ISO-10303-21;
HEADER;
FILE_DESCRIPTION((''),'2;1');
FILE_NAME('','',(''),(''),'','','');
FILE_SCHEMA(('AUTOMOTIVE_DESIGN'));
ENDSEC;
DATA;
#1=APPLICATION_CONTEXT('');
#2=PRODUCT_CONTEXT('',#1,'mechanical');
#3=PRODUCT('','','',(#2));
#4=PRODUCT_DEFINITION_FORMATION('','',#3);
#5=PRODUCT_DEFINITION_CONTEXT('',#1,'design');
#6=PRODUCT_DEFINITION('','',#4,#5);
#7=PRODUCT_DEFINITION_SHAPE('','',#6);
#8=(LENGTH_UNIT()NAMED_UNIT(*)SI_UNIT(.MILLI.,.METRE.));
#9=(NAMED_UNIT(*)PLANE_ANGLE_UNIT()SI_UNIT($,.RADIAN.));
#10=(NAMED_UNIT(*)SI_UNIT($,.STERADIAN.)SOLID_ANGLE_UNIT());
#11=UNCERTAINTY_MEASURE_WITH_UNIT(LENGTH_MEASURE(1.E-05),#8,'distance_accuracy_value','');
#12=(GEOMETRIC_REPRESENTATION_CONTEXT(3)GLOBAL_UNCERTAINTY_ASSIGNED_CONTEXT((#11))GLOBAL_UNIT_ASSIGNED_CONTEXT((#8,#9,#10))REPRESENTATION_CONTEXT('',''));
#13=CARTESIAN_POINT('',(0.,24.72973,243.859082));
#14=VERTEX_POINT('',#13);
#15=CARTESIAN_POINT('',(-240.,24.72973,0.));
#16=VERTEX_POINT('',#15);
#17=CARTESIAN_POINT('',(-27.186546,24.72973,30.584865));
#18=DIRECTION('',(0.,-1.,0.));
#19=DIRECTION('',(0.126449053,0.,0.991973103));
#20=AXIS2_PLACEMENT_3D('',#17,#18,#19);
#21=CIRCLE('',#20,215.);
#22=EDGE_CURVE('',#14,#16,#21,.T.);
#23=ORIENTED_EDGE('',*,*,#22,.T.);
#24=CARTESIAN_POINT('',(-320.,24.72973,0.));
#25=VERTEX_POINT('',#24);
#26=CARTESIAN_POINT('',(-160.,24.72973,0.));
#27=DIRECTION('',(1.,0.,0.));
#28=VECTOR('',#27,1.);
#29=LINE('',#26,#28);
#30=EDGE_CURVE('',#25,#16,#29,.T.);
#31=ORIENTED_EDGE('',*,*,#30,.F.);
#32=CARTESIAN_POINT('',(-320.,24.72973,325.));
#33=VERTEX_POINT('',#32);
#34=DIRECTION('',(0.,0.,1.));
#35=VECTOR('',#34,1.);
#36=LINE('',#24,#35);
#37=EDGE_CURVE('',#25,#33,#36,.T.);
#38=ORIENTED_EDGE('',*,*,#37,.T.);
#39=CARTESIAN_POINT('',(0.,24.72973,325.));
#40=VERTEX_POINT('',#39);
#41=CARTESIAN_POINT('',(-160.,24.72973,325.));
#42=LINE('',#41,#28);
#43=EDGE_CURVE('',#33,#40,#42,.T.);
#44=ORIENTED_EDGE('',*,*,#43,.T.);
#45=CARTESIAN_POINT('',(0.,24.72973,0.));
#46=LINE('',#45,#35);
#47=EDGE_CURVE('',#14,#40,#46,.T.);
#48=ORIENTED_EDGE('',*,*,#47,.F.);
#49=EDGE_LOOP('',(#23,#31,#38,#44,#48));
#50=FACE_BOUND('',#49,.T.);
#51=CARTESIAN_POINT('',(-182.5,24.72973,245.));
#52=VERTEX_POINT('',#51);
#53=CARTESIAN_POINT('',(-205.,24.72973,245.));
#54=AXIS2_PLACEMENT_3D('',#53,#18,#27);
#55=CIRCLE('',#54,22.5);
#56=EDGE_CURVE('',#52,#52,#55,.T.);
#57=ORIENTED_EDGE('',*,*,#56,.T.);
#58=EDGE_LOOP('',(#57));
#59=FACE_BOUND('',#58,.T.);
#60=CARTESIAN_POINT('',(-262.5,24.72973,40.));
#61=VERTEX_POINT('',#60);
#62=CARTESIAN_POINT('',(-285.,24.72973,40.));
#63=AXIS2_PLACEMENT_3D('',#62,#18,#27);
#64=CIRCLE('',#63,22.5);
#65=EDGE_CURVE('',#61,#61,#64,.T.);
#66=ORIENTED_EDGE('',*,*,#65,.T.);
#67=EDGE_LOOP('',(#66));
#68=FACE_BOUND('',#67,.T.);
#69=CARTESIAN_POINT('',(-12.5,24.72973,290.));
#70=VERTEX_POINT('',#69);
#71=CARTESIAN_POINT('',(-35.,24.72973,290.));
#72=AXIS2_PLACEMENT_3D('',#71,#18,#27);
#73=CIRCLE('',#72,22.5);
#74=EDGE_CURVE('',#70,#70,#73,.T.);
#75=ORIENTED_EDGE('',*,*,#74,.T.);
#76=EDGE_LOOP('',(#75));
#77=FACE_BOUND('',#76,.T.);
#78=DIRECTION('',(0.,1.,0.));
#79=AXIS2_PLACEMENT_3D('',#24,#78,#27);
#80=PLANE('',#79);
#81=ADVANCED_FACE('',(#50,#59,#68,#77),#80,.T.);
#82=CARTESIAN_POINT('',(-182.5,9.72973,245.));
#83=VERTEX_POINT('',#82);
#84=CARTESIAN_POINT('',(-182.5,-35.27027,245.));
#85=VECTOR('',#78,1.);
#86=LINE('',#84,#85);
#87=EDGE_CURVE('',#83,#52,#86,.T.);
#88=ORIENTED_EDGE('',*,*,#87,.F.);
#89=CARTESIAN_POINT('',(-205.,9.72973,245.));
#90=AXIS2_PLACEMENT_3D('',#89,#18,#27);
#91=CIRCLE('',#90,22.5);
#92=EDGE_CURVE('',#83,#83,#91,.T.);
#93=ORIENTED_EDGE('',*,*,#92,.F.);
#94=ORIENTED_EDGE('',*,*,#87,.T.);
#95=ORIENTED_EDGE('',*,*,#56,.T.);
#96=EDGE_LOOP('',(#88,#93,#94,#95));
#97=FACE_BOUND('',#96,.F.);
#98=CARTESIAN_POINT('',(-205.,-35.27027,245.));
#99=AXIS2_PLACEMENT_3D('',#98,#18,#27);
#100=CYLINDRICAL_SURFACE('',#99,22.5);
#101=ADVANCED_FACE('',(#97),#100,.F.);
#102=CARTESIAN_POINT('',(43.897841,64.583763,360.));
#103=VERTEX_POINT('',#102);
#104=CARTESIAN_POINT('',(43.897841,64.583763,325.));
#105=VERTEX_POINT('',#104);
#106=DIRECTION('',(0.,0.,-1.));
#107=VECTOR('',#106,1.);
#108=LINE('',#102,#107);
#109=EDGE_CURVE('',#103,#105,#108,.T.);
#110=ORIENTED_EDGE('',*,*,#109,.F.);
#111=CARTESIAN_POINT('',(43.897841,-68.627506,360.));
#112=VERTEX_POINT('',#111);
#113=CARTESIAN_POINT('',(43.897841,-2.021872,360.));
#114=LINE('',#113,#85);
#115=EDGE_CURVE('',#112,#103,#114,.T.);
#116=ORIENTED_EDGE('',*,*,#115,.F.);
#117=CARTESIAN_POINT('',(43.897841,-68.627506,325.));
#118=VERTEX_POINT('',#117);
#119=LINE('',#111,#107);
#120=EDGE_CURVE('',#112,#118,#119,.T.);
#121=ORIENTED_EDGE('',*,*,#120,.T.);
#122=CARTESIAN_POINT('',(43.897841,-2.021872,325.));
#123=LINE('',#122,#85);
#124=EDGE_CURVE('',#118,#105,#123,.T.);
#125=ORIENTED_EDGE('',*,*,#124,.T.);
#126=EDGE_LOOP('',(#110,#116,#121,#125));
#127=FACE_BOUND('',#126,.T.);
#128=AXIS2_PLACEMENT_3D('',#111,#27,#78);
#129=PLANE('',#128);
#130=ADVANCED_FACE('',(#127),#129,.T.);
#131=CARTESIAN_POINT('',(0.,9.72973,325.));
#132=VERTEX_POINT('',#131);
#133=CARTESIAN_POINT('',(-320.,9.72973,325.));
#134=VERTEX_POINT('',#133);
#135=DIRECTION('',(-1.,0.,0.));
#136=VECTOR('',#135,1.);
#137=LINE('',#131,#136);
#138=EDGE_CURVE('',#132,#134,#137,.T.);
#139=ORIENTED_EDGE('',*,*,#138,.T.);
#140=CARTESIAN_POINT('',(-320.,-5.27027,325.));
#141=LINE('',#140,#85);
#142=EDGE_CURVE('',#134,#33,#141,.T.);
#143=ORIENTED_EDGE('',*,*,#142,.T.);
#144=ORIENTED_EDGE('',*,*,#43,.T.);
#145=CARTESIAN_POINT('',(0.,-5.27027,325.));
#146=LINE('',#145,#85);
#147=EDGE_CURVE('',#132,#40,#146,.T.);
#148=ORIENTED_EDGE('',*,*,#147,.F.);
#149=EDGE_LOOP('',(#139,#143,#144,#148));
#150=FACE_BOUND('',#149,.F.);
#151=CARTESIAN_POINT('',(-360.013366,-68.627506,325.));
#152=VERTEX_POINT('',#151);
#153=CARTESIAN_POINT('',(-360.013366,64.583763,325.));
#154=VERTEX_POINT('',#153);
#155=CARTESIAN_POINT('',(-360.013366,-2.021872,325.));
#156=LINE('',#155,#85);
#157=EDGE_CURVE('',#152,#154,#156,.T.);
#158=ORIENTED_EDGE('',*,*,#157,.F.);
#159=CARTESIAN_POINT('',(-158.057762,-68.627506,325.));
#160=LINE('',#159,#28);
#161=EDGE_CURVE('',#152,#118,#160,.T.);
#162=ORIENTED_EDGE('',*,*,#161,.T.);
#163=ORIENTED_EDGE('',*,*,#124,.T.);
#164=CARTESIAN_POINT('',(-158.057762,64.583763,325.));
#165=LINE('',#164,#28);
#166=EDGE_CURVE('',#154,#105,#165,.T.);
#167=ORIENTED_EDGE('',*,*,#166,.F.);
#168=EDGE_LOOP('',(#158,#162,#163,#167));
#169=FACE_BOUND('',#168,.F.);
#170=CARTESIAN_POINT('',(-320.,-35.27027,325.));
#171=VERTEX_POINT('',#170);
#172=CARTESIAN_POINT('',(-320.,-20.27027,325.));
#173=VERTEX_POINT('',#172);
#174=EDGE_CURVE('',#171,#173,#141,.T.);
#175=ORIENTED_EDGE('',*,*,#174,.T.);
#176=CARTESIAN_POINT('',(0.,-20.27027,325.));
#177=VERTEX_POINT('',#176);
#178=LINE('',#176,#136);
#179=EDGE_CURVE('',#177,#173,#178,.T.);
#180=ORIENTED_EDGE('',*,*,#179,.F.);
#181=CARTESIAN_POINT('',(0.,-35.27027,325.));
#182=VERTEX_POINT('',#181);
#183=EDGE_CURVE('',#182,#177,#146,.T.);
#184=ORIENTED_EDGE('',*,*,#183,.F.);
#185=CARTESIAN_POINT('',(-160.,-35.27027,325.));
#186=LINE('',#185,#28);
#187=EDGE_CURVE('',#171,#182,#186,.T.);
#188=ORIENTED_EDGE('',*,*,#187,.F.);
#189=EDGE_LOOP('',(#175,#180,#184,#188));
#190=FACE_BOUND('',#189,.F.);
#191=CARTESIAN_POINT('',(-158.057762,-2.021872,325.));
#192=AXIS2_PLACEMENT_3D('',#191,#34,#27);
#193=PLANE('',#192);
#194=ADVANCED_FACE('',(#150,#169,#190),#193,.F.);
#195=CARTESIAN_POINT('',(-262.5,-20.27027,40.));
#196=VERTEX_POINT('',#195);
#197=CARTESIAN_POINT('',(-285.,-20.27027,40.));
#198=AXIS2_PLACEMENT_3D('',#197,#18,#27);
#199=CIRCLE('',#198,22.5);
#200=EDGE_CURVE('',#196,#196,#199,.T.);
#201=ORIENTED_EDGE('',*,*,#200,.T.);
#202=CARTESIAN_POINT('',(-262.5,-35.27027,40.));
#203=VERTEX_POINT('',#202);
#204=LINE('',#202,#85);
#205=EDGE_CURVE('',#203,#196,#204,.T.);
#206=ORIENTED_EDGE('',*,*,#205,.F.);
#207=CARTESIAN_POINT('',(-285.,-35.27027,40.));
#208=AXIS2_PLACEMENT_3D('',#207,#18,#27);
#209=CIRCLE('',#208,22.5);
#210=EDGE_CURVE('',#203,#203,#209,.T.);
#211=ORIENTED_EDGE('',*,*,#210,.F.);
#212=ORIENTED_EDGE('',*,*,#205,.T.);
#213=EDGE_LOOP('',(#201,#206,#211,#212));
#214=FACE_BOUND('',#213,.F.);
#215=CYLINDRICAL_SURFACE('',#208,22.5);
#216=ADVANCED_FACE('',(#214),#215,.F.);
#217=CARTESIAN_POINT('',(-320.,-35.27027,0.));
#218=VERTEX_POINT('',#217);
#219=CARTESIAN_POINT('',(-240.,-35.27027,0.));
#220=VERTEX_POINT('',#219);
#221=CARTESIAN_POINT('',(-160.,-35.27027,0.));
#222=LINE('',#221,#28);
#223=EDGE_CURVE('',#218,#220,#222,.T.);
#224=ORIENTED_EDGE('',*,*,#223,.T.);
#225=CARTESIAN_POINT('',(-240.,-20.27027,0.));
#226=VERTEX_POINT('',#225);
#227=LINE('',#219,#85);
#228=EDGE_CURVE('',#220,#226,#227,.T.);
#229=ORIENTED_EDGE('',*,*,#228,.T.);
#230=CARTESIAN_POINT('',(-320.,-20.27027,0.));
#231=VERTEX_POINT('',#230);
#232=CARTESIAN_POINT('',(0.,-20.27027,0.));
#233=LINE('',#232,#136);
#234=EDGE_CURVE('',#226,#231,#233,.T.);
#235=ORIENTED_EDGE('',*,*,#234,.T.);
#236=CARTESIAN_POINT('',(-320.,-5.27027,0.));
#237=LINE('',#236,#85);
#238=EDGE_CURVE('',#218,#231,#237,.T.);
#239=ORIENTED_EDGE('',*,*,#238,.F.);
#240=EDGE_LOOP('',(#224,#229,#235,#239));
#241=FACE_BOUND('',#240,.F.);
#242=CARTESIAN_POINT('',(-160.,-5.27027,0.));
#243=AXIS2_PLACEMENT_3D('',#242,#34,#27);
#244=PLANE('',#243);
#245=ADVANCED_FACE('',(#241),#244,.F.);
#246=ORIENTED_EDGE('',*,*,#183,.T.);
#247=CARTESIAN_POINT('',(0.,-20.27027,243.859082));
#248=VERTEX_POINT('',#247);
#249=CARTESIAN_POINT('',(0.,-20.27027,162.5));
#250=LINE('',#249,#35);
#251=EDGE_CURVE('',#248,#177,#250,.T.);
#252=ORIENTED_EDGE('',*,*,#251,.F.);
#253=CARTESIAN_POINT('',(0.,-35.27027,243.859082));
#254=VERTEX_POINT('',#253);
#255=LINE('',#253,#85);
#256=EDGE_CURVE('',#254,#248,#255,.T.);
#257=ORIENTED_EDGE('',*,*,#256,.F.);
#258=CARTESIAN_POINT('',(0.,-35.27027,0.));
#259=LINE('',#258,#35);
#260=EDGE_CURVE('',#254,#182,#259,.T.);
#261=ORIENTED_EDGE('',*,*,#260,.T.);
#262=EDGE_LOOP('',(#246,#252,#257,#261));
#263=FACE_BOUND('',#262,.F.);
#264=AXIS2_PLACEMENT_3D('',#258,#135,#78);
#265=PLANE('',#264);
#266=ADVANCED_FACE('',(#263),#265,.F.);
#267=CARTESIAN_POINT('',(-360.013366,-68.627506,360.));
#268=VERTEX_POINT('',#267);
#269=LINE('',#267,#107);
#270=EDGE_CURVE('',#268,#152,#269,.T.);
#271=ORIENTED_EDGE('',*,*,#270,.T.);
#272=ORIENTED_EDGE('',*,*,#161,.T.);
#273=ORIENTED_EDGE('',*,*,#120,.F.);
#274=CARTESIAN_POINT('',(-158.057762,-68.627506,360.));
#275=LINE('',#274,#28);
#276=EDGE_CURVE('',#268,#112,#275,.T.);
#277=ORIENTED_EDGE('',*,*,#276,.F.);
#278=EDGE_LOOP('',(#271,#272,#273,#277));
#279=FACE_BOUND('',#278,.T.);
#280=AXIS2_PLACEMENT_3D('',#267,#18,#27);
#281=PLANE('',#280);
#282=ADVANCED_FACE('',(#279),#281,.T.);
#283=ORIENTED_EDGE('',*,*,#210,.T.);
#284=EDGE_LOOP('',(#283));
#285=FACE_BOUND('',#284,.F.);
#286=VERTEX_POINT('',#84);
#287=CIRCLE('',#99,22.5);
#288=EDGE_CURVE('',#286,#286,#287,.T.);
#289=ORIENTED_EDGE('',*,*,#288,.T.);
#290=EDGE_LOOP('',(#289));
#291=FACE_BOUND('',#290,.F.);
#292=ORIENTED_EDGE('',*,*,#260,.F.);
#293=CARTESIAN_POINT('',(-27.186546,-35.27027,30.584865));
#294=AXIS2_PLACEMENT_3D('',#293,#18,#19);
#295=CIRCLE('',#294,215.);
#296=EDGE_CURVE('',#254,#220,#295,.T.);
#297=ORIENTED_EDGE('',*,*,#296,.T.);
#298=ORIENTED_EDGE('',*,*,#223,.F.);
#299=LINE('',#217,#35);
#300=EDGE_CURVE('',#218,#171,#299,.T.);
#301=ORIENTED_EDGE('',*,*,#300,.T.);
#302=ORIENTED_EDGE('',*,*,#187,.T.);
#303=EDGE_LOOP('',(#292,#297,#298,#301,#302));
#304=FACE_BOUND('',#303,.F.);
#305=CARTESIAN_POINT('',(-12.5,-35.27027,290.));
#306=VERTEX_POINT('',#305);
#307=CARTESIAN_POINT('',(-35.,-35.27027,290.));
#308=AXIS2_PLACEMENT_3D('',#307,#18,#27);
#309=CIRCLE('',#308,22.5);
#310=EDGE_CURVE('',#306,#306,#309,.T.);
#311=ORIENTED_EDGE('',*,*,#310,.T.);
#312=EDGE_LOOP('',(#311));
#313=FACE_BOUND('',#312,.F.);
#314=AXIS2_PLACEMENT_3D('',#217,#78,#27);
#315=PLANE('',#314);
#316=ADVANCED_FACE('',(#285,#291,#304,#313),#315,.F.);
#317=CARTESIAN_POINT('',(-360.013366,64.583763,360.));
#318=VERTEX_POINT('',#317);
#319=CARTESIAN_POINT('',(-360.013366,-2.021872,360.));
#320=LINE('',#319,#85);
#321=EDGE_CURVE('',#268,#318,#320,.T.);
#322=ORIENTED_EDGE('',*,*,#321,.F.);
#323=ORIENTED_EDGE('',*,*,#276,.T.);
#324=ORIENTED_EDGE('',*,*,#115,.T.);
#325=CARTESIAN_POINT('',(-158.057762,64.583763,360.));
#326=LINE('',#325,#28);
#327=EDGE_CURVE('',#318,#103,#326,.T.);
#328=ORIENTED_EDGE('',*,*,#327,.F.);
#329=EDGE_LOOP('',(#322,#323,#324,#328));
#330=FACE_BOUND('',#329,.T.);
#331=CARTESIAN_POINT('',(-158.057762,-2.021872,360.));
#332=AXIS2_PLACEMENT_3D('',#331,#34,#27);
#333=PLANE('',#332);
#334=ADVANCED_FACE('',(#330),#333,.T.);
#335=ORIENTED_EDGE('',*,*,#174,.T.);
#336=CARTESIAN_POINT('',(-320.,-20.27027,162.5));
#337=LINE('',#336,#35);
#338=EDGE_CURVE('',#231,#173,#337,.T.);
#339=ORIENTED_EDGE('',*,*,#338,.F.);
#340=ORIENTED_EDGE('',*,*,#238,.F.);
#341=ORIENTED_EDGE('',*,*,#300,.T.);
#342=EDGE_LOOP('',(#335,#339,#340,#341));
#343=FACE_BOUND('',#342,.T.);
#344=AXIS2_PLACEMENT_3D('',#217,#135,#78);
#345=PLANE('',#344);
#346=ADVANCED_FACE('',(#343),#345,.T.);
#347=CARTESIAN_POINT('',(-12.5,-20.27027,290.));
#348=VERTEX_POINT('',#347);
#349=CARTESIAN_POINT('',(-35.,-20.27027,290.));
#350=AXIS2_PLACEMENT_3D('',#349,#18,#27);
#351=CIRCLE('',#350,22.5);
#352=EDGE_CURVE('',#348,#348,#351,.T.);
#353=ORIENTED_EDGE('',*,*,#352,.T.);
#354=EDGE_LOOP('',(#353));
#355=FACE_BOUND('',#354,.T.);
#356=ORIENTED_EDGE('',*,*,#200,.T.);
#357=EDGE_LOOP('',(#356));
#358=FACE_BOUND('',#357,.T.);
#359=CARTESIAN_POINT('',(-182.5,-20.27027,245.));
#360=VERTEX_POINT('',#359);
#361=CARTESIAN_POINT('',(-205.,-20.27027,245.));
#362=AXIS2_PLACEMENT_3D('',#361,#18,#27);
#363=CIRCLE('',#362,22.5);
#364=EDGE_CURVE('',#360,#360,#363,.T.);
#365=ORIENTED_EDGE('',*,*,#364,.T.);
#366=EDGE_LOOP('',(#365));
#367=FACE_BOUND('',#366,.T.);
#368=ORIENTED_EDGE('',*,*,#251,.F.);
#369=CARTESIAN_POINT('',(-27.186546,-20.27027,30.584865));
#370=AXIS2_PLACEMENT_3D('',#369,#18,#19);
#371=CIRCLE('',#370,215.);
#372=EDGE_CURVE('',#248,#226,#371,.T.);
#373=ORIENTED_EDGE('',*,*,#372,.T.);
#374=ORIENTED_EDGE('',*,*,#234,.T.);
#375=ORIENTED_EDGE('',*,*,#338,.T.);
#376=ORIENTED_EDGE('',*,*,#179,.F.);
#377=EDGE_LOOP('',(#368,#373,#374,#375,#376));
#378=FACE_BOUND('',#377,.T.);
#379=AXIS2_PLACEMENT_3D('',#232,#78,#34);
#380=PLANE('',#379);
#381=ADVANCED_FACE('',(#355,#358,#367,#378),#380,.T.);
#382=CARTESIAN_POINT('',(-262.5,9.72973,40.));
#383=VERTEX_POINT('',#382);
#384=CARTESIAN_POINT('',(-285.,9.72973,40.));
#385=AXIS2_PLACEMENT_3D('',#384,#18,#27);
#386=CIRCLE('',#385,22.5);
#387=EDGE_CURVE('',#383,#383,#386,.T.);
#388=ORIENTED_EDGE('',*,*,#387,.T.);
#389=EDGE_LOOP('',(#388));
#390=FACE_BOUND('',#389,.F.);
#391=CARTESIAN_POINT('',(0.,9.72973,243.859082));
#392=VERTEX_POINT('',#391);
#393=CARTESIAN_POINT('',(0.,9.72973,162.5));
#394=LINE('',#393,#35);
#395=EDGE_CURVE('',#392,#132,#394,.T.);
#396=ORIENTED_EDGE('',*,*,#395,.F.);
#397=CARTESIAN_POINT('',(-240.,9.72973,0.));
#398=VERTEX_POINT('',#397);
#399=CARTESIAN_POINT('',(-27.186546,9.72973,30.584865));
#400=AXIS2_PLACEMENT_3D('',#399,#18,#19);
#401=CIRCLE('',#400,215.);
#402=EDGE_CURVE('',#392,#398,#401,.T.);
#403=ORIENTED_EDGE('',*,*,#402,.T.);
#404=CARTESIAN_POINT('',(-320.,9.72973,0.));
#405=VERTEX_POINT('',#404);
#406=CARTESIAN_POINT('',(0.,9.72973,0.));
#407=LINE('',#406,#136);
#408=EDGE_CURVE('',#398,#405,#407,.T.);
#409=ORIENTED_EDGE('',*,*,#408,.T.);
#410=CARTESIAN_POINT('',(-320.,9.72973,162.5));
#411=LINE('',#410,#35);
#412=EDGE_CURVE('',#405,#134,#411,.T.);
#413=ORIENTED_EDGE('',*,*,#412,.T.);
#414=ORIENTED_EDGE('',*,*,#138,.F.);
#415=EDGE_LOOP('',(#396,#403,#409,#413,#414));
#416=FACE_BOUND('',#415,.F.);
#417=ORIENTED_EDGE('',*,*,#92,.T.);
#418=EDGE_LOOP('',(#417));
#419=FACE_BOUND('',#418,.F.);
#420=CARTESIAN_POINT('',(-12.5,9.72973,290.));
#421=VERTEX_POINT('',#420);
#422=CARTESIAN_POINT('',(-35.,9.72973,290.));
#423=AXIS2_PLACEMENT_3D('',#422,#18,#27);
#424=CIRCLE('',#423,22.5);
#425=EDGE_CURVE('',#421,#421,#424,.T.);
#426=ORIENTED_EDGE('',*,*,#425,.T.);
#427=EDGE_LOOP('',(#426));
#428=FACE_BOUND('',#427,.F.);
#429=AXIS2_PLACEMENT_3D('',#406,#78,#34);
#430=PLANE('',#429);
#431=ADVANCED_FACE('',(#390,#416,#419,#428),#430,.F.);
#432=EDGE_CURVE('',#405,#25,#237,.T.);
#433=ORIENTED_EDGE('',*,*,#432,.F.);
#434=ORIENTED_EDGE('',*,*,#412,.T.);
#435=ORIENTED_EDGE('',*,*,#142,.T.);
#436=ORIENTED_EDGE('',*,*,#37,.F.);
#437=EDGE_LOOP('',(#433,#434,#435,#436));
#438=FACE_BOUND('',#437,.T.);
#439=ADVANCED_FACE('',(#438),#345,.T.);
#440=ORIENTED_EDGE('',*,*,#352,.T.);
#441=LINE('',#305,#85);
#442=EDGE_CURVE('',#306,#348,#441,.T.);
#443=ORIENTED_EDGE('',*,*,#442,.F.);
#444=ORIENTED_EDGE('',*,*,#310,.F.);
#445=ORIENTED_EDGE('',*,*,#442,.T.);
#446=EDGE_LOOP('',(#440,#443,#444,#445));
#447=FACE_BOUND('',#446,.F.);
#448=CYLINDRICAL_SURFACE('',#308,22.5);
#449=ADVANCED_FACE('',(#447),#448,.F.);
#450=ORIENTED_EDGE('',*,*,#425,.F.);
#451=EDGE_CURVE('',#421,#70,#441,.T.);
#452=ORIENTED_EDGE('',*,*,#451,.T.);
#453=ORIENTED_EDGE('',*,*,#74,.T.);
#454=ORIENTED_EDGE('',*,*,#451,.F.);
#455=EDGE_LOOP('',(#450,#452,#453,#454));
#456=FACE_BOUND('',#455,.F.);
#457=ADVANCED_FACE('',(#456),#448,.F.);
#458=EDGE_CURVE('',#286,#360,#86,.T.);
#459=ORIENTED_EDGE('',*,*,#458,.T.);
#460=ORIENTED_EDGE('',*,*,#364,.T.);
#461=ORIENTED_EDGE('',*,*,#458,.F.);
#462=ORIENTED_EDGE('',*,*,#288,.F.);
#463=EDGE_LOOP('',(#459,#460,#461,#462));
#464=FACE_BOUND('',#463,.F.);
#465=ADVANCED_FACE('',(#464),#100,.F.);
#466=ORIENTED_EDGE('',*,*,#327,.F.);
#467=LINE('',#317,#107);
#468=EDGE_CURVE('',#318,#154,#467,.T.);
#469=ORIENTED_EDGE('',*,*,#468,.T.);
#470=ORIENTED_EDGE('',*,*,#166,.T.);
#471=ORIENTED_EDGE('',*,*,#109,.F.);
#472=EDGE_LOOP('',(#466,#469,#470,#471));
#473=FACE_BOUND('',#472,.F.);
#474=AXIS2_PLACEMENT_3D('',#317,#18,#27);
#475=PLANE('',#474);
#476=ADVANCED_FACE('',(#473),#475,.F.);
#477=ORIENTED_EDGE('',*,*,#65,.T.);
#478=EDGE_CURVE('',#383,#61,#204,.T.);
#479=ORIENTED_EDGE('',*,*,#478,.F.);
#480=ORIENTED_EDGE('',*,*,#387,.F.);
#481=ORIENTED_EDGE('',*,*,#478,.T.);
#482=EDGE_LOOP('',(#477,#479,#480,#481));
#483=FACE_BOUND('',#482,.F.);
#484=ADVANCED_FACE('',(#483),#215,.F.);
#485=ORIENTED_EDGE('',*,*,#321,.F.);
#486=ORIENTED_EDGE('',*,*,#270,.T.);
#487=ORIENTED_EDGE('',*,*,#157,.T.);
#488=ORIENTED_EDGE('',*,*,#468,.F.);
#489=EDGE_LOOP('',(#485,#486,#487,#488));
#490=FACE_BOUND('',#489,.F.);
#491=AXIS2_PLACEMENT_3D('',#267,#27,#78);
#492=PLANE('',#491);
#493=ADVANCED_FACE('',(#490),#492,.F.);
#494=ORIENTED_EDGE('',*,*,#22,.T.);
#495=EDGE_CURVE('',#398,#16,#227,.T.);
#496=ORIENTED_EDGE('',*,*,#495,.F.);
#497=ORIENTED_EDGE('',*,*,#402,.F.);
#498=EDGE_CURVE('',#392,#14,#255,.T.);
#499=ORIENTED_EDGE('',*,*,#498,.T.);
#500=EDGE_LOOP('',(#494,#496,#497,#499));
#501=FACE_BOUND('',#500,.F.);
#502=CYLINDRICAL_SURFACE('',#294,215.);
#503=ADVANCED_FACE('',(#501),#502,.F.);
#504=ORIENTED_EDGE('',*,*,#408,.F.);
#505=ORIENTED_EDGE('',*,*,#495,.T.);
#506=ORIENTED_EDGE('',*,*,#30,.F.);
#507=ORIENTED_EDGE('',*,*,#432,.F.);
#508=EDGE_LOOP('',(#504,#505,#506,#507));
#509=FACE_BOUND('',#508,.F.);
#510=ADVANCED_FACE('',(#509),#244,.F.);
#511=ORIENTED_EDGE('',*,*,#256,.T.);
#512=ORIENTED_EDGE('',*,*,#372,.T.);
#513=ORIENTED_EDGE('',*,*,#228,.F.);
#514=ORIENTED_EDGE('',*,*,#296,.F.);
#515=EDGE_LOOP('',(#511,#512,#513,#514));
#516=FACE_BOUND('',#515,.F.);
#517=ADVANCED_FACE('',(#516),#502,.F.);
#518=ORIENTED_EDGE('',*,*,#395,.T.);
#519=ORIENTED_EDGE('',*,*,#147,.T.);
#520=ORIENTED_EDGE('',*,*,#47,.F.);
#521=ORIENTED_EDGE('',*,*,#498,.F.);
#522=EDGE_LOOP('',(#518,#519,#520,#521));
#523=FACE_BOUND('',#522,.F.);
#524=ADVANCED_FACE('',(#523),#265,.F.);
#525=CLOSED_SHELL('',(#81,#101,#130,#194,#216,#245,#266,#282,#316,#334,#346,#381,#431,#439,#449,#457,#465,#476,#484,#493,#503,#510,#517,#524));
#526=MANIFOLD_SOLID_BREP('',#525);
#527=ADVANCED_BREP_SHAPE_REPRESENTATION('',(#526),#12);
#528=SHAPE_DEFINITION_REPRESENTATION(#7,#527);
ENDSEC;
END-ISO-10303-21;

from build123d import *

# Parameters (mm, degrees)
F0_W     = 320
F0_H     = 60
F1_DEPTH = 360
F2_R     = 22.5
F3_DEPTH = 60
F5_DEPTH = 60
F6_W     = 403.911207
F6_H     = 133.211269
F6_W_2   = 320
F6_H_2   = 60
F7_DEPTH = 35
F8_W     = 30
F8_H     = 325
F9_DEPTH = 320


with BuildPart() as f1:
    # F0 (on Top) → F1 (new body)
    with BuildSketch(Plane.XY):
        with Locations((-160, -5.27027)):
            Rectangle(F0_W, F0_H)
    extrude(amount=F1_DEPTH)

    # F2 (on face) → F3 (cut, through all)
    with BuildSketch(Plane.XZ.offset(35.27027)):
        with Locations((-285, 40)):
            Circle(F2_R)
        with Locations((-35, 290)):
            Circle(F2_R)
        with Locations((-205, 245)):
            Circle(F2_R)
    extrude(amount=-F3_DEPTH, mode=Mode.SUBTRACT)

    # F4 (on face) → F5 (cut, through all)
    with BuildSketch(Plane.XZ.offset(35.27027)):
        Polygon((0, 243.859082), (-27.186546, 30.584865), (-240, 0), (0, 0), align=None)
        with BuildLine():
            Line((-240, 0), (-27.186546, 30.584865))
            Line((-27.186546, 30.584865), (0, 243.859082))
            ThreePointArc((0, 243.859082), (-180.42215, 181.395507), (-240, 0))
        make_face()
    extrude(amount=-F5_DEPTH, mode=Mode.SUBTRACT)

    # F6 (on face) → F7 (join)
    with BuildSketch(Plane.XY.offset(360)):
        with Locations((-158.057762, -2.021872)):
            Rectangle(F6_W, F6_H)
        with Locations((-160, -5.27027)):
            Rectangle(F6_W_2, F6_H_2, mode=Mode.SUBTRACT)
    extrude(amount=-F7_DEPTH)

    # F8 (on face) → F9 (cut, through all)
    with BuildSketch(Plane.YZ):
        with Locations((-5.27027, 162.5)):
            Rectangle(F8_W, F8_H)
    extrude(amount=-F9_DEPTH, mode=Mode.SUBTRACT)


solid = f1.part
